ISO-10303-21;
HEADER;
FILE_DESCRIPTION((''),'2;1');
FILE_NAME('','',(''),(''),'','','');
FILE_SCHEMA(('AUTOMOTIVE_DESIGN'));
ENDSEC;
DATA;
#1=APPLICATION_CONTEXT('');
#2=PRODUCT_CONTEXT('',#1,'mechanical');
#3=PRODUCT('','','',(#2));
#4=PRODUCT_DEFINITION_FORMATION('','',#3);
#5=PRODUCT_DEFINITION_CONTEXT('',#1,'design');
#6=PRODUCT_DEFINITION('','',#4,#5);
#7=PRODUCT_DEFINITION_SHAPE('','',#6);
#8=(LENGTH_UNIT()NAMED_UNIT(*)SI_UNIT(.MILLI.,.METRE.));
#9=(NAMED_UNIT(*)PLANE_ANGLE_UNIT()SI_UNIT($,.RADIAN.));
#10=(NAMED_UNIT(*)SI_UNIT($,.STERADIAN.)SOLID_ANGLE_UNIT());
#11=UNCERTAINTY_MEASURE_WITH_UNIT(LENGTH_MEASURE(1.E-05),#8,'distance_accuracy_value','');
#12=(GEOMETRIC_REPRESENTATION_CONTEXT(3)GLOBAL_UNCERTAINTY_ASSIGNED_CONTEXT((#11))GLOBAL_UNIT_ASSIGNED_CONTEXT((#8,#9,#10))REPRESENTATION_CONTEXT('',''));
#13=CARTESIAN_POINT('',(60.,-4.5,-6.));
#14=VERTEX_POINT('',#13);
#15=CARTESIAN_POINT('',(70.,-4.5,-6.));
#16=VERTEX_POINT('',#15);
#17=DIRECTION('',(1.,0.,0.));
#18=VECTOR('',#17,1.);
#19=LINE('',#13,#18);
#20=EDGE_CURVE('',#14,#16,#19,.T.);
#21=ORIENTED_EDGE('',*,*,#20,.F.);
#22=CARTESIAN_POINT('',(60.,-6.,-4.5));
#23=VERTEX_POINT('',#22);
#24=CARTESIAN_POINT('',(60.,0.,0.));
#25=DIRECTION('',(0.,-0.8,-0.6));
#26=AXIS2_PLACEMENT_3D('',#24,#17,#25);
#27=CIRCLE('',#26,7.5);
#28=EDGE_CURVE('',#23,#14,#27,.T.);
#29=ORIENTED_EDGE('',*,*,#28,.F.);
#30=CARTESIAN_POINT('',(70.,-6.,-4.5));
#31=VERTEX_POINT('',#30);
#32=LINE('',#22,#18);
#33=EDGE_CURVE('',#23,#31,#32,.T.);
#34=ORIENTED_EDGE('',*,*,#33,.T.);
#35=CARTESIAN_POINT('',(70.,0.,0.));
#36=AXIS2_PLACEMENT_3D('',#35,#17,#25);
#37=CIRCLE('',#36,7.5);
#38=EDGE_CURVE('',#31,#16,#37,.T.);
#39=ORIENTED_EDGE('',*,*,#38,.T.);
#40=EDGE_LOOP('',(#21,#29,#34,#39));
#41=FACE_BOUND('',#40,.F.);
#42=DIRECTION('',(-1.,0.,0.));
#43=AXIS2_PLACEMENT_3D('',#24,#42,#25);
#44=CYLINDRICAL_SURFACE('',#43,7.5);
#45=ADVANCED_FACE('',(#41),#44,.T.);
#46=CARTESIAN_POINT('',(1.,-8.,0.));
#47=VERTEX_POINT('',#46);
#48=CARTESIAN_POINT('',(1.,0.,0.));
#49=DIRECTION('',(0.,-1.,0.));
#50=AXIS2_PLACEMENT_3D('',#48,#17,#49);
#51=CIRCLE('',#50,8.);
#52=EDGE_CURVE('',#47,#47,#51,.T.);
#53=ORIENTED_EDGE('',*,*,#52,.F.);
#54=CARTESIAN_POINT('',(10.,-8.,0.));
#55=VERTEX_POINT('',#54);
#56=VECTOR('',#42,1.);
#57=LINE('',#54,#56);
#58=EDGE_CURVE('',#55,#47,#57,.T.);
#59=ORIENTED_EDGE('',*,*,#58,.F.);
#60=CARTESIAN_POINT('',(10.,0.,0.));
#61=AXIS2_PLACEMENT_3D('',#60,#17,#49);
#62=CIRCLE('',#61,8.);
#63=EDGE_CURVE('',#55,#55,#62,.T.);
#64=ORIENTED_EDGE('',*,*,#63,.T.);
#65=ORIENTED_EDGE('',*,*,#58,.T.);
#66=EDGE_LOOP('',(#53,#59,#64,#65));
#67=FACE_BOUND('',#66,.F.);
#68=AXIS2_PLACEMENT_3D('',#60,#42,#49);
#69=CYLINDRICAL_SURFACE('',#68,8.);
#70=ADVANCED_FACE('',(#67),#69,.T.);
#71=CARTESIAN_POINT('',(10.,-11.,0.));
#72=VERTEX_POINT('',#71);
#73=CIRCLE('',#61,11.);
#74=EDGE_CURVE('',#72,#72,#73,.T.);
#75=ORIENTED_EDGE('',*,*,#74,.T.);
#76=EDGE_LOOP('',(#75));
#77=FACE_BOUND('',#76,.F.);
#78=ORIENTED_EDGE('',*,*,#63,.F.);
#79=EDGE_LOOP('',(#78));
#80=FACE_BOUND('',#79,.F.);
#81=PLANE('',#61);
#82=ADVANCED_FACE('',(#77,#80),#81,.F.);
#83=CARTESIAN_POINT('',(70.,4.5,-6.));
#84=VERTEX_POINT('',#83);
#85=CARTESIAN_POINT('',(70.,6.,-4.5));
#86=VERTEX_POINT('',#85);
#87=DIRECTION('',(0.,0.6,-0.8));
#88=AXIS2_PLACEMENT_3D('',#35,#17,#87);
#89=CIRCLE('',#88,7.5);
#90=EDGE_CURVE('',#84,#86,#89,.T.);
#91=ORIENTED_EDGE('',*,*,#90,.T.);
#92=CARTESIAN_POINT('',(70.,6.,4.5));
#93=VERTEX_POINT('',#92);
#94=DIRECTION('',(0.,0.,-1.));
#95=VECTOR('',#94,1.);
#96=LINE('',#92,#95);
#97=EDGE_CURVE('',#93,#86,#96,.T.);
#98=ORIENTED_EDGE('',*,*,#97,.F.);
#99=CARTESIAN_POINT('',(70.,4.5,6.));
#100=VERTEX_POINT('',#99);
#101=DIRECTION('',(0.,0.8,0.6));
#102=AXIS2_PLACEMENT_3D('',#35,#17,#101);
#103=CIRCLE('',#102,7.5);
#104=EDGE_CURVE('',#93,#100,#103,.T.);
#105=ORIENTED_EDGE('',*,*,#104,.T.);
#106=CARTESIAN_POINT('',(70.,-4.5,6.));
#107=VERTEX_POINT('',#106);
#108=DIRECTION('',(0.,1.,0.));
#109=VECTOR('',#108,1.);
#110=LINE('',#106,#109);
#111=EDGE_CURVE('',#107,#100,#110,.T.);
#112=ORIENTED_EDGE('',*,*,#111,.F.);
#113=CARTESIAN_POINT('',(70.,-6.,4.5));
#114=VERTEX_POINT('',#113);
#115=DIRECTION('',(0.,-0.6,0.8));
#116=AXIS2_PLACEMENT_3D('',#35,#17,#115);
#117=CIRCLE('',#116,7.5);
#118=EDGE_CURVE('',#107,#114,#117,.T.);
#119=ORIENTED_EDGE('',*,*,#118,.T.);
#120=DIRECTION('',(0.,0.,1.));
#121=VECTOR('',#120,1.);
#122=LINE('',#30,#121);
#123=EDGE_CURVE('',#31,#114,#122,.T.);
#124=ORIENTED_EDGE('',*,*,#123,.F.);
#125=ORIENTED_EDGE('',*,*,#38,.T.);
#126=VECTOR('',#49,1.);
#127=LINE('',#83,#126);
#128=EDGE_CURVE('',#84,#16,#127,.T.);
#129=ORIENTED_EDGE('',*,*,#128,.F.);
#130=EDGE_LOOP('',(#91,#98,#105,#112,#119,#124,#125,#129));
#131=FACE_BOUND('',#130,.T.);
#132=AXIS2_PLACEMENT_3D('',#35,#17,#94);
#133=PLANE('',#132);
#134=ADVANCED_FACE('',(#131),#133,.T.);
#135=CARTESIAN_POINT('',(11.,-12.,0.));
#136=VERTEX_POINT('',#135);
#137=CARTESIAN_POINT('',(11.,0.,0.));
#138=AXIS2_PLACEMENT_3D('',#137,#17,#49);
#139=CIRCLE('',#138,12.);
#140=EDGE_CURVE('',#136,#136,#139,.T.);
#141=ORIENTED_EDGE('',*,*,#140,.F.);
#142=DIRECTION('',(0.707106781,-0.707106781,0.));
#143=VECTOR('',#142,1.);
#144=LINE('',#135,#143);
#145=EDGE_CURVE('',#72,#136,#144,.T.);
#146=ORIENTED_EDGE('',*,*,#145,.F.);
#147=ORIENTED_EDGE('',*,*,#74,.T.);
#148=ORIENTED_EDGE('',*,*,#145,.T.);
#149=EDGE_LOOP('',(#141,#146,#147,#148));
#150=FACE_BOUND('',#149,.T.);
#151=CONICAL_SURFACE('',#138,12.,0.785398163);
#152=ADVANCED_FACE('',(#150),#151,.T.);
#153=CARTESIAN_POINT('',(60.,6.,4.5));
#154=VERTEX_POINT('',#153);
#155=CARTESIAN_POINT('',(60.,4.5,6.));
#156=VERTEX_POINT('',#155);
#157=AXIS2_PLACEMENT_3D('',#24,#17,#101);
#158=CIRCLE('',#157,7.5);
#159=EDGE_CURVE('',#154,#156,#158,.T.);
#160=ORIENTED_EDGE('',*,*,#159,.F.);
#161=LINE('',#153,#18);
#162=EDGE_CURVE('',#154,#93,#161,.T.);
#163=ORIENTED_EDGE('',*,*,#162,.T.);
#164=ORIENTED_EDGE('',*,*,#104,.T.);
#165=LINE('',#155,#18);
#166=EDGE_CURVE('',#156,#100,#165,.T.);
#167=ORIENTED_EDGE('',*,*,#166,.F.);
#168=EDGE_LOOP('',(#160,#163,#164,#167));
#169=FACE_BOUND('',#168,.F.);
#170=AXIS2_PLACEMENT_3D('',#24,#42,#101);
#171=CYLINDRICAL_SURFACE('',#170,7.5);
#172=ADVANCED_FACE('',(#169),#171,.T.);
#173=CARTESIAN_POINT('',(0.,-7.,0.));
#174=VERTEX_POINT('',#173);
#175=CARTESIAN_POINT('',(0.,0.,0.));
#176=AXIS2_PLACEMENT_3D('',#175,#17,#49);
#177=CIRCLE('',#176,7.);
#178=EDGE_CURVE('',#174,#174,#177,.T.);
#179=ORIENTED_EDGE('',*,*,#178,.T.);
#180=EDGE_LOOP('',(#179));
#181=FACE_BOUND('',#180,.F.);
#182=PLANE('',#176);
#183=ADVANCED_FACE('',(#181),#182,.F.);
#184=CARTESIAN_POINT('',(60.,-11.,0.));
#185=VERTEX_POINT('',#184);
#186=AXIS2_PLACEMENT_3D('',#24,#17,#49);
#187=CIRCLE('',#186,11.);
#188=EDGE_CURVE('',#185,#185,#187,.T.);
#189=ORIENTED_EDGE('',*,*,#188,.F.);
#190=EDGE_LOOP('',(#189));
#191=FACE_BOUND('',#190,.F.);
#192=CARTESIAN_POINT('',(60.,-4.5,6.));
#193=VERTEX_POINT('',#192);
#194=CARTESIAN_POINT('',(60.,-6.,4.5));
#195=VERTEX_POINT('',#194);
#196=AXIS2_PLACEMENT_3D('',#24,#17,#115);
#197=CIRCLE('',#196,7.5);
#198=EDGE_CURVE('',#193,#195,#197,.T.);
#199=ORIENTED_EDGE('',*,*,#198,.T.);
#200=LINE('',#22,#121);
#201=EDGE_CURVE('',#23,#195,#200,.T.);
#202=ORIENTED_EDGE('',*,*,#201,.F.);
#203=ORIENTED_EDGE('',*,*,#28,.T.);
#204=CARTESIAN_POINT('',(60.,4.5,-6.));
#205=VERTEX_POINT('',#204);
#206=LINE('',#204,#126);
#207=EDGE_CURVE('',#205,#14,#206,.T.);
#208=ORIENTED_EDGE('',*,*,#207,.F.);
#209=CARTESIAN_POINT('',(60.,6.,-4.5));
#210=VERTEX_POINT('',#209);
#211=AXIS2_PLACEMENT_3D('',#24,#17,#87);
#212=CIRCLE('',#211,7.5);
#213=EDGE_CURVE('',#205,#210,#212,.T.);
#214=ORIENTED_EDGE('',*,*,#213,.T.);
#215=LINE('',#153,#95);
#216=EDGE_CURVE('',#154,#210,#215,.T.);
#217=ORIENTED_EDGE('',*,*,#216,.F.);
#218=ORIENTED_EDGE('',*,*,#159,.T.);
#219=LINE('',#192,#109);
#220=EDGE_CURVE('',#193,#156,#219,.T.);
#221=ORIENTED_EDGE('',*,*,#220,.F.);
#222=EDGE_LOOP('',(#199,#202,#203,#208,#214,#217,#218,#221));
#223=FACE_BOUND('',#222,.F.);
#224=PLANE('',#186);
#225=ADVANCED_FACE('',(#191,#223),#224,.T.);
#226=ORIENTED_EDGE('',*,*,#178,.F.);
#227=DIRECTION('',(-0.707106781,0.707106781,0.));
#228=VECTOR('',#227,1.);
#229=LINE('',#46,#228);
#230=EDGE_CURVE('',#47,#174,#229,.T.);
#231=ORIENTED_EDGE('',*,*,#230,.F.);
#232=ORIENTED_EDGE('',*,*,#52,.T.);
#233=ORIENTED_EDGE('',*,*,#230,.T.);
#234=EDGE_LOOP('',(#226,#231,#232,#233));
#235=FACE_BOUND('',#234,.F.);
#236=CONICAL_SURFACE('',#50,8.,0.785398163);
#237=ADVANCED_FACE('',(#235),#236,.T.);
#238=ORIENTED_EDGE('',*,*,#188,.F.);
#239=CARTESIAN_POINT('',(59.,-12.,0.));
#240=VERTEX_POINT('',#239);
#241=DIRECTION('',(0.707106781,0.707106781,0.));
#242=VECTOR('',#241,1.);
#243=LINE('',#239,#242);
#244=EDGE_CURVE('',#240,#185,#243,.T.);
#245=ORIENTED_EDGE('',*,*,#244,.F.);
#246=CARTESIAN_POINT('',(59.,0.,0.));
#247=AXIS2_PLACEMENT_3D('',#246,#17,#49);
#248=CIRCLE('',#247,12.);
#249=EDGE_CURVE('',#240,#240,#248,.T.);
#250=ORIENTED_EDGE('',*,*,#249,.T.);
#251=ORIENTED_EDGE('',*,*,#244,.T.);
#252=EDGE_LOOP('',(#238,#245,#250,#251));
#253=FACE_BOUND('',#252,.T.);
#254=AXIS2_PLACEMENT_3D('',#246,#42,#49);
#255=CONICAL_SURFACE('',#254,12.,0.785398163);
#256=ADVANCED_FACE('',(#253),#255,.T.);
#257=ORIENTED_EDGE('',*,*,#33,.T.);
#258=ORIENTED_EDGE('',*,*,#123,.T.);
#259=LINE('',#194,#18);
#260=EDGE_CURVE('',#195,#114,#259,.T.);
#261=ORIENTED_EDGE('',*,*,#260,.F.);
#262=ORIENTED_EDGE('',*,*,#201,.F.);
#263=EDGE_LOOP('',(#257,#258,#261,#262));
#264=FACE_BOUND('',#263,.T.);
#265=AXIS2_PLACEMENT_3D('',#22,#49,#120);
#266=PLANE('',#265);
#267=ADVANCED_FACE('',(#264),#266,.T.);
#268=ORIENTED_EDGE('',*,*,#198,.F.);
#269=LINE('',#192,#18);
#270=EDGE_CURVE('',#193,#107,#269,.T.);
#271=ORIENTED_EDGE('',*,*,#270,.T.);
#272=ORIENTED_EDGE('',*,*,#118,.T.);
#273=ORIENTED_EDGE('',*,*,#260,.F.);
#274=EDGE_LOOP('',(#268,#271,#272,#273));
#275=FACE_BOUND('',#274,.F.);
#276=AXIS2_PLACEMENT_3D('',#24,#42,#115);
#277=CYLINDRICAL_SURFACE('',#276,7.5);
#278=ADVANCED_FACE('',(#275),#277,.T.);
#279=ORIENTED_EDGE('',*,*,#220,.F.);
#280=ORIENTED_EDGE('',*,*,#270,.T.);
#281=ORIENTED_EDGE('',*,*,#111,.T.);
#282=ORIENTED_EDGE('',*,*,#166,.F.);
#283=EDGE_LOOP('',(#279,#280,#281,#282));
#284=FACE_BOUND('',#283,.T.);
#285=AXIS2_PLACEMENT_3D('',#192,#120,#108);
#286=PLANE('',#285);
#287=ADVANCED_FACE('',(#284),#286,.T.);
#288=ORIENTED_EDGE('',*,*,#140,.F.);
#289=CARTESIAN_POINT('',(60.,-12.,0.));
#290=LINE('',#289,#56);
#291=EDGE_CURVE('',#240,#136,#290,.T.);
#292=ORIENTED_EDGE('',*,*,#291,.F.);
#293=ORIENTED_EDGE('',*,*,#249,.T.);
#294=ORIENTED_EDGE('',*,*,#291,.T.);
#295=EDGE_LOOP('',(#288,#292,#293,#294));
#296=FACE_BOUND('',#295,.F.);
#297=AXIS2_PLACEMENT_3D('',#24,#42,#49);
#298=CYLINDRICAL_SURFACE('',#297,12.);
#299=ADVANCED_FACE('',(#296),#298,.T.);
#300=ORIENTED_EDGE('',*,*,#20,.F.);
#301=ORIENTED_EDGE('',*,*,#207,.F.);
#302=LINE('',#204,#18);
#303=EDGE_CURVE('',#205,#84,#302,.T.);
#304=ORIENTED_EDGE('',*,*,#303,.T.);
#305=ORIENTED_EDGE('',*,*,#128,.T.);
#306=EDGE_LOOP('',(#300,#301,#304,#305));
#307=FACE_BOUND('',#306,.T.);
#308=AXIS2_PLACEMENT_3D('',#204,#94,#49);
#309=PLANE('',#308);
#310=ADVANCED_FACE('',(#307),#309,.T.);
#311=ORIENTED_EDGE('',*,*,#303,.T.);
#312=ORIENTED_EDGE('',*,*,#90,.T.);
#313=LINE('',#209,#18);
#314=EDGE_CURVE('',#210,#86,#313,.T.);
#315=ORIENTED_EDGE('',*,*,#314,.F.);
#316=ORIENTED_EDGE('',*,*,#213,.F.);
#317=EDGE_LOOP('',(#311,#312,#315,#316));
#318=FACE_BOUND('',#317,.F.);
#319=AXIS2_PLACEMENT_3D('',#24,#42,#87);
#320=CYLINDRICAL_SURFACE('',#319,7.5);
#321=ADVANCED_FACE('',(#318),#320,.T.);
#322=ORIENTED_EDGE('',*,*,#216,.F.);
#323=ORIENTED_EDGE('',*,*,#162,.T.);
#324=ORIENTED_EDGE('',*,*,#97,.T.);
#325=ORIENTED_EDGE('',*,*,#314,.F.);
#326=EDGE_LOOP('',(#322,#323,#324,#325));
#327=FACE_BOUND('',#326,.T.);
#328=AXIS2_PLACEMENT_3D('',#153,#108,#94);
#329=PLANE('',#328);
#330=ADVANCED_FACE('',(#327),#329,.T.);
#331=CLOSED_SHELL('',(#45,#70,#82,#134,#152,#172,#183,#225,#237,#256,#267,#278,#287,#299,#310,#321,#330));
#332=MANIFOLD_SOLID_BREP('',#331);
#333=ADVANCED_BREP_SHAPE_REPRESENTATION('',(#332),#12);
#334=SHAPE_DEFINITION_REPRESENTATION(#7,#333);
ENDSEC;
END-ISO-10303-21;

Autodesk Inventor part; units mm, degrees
ref_plane "YZ Plane" through (0, 0, 0) normal (1, 0, 0) x (0, 1, 0)
ref_plane "XZ Plane" through (0, 0, 0) normal (0, 1, 0) x (-1, 0, 0)
ref_plane "XY Plane" through (0, 0, 0) normal (0, 0, 1) x (1, 0, 0)
sketch "草图1" plane through (0, 0, 0) normal (0, 0, 1) x (1, 0, 0)
  line L0 (0, 0) -> (10, 0)
  line L1 (10, 0) -> (10, -8)
  line L2 (10, -8) -> (0, -8)
  line L3 (0, -8) -> (0, 0)
  line L4 (10, 0) -> (60, 0)
  line L5 (60, 0) -> (60, -12)
  line L6 (60, -12) -> (10, -12)
  line L7 (10, -12) -> (10, 0)
  dimension "d0" = 10
  dimension "d1" = 8
  dimension "d2" = 50
  dimension "d3" = 12
revolve "旋转1" add sketch "草图1" angle 360 about axis through (10, 0, 0) along (1, 0, 0)
chamfer "倒角1" distance 1 angle 45 1 edges at (60, 12, 0)
chamfer "倒角2" distance 1 angle 45 1 edges at (0, 8, 0)
chamfer "倒角3" distance 1 angle 45 1 edges at (10, 12, 0)
sketch "草图2" plane through (60, 0, 0) normal (1, 0, 0) x (0, 0, -1)
  line L0 (-4.5, 6) -> (4.5, 6)
  line L1 (6, 4.5) -> (6, -4.5)
  line L2 (4.5, -6) -> (-4.5, -6)
  line L3 (-6, -4.5) -> (-6, 4.5)
  line L4 (-6, 6) -> (6, -6) construction
  line L5 (6, 6) -> (-6, -6) construction
  arc A0 (-4.5, 6) -> (-6, 4.5) centre (0, 0) ccw
  arc A1 (-6, -4.5) -> (-4.5, -6) centre (0, 0) ccw
  arc A2 (4.5, -6) -> (6, -4.5) centre (0, 0) ccw
  arc A3 (6, 4.5) -> (4.5, 6) centre (0, 0) ccw
  dimension "d15" = 12
  dimension "d16" = 12
extrude "拉伸1" add sketch "草图2" along normal blind 10
thread "螺纹1" size "M24x3" designation "M24" class "6g" standard "GB Metric profile" length 48
properties part number "10-螺杆" material "不锈钢"
